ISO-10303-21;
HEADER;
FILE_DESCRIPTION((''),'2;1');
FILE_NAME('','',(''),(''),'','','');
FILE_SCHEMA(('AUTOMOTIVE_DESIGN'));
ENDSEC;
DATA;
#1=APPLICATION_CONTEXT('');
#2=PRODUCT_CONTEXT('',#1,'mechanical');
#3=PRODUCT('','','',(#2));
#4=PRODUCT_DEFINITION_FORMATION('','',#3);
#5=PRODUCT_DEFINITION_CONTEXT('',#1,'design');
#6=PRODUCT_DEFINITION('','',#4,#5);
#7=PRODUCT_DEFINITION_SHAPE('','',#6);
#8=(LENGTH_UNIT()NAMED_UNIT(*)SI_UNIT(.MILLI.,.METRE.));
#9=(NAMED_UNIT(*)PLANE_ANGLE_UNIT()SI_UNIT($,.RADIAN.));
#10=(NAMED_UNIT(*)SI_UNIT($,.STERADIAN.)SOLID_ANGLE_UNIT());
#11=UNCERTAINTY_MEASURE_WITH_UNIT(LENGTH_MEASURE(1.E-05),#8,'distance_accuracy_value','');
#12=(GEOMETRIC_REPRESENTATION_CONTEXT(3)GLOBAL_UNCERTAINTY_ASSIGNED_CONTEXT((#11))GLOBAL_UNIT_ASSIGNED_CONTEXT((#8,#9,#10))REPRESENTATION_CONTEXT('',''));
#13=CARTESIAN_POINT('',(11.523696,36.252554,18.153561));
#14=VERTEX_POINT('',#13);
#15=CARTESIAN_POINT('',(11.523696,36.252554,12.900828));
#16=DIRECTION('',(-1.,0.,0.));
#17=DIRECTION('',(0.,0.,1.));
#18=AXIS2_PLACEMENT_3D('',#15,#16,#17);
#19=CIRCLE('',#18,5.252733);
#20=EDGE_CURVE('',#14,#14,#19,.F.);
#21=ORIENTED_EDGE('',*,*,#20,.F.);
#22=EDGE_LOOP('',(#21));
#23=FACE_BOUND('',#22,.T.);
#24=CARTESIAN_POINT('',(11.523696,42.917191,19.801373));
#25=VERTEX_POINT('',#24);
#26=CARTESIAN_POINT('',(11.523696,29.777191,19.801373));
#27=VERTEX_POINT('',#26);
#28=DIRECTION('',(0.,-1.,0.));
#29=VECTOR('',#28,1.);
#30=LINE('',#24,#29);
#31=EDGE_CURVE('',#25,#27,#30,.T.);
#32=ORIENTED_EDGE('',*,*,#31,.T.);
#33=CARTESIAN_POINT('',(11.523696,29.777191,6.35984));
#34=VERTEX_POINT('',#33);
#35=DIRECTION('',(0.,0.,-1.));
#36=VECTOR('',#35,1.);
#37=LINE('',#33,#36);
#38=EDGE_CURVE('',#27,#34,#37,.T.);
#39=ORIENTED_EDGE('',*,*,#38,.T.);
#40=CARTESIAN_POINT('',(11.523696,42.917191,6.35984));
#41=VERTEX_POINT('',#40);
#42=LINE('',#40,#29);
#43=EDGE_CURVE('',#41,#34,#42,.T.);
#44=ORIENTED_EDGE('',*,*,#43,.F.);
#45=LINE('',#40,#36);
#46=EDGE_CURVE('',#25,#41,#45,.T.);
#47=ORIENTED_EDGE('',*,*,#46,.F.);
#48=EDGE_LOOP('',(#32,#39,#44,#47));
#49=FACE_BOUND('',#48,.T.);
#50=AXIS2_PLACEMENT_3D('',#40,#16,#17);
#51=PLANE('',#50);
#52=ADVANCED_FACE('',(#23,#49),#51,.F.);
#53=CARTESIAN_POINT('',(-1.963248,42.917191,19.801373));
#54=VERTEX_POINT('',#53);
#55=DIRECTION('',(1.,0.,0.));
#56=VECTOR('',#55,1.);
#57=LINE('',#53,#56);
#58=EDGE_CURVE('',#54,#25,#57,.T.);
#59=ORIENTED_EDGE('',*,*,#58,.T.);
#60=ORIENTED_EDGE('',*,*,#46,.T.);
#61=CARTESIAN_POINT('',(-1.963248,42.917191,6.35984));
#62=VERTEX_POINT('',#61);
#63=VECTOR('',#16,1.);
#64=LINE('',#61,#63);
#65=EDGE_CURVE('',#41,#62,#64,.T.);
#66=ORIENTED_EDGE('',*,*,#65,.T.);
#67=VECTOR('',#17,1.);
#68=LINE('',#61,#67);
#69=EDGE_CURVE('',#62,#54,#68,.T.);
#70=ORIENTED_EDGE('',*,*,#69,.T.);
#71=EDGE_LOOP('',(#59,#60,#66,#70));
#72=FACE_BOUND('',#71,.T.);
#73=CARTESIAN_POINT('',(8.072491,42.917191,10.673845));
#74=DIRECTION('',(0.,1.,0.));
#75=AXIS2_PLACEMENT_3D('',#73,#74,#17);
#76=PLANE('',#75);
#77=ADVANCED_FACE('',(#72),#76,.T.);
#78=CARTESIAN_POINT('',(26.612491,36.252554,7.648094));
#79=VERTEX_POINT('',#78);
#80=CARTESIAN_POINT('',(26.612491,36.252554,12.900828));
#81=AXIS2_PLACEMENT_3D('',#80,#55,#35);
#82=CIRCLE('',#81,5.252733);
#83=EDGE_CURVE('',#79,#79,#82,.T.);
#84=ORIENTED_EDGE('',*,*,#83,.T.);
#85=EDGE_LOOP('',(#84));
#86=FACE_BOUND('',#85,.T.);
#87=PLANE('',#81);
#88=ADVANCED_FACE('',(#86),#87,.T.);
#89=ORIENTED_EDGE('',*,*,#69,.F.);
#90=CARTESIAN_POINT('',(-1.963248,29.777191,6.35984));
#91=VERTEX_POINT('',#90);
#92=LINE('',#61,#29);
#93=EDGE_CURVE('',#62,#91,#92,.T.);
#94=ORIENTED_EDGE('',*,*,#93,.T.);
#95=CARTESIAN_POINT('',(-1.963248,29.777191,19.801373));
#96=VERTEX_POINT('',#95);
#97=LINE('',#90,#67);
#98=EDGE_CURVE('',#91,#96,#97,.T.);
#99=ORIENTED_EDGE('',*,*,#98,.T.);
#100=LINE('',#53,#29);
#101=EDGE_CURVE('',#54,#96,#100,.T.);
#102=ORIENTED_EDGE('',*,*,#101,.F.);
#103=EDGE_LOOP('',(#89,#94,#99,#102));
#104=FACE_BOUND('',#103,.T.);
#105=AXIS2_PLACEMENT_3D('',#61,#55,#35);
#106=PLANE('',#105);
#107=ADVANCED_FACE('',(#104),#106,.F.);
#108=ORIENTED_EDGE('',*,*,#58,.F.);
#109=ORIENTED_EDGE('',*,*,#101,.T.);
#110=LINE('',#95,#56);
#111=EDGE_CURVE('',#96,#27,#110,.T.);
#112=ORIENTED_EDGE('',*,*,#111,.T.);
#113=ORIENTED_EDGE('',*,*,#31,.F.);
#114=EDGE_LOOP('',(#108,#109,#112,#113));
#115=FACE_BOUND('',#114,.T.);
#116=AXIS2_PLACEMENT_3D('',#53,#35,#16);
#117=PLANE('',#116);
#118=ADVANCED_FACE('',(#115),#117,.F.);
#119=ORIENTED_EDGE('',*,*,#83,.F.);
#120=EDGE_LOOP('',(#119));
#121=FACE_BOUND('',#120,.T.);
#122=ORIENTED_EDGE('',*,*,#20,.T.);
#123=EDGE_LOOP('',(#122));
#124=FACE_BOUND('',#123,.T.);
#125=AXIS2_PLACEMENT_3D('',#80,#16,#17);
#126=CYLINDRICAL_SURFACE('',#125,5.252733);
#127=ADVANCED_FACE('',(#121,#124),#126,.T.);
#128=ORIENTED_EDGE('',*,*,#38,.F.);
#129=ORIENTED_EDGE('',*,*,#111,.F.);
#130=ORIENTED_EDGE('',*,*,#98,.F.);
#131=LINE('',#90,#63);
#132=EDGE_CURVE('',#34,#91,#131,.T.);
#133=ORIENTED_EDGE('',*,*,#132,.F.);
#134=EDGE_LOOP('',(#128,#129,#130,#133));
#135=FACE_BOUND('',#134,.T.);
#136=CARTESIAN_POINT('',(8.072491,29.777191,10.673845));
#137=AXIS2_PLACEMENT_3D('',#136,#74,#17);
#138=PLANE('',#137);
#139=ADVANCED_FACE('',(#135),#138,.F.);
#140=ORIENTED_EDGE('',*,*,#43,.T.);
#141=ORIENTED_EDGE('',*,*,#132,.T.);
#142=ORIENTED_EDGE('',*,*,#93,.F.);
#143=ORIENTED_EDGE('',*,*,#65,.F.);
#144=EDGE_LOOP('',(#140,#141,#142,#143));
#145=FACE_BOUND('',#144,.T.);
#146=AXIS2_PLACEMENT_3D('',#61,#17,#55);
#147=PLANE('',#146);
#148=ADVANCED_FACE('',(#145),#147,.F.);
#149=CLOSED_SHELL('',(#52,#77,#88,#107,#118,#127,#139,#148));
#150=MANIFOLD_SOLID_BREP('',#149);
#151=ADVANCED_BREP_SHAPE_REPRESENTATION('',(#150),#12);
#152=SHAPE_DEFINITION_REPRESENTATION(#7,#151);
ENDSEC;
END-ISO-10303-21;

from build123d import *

# Parameters (mm, degrees)
SKETCH1_W           = 74.927464823
SKETCH1_H           = 74.675183796
BOSS_EXTRUDE1_DEPTH = 73
SKETCH2_R           = 29.181851702
BOSS_EXTRUDE2_DEPTH = 103
SCALE1_SCALE        = 0.18


with BuildPart() as part:
    # Sketch1 → Boss-Extrude1 (new body)
    with BuildSketch(Plane(origin=(0, 0, 0), x_dir=(1, 0, 0), z_dir=(0, 1, 0))):
        with Locations((-18.29037441, -13.370894396)):
            Rectangle(SKETCH1_W, SKETCH1_H)
    extrude(amount=BOSS_EXTRUDE1_DEPTH)

    # Sketch2 → Boss-Extrude2 (add)
    with BuildSketch(Plane(origin=(0, 0, 0), x_dir=(0, 0, -1), z_dir=(1, 0, 0))):
        with Locations(Location((-12.372124572, 35.974241577, 0), (0, 0, 180))):
            Circle(SKETCH2_R)
    extrude(amount=BOSS_EXTRUDE2_DEPTH)


with BuildPart() as part_1:
    # Scale1: scaled about (9.844501825, 36.313647049, 13.016884463)
    add(part.part.scale(SCALE1_SCALE).moved(Location((8.072491497, 29.77719058, 10.67384526))))


solid = part_1.part
